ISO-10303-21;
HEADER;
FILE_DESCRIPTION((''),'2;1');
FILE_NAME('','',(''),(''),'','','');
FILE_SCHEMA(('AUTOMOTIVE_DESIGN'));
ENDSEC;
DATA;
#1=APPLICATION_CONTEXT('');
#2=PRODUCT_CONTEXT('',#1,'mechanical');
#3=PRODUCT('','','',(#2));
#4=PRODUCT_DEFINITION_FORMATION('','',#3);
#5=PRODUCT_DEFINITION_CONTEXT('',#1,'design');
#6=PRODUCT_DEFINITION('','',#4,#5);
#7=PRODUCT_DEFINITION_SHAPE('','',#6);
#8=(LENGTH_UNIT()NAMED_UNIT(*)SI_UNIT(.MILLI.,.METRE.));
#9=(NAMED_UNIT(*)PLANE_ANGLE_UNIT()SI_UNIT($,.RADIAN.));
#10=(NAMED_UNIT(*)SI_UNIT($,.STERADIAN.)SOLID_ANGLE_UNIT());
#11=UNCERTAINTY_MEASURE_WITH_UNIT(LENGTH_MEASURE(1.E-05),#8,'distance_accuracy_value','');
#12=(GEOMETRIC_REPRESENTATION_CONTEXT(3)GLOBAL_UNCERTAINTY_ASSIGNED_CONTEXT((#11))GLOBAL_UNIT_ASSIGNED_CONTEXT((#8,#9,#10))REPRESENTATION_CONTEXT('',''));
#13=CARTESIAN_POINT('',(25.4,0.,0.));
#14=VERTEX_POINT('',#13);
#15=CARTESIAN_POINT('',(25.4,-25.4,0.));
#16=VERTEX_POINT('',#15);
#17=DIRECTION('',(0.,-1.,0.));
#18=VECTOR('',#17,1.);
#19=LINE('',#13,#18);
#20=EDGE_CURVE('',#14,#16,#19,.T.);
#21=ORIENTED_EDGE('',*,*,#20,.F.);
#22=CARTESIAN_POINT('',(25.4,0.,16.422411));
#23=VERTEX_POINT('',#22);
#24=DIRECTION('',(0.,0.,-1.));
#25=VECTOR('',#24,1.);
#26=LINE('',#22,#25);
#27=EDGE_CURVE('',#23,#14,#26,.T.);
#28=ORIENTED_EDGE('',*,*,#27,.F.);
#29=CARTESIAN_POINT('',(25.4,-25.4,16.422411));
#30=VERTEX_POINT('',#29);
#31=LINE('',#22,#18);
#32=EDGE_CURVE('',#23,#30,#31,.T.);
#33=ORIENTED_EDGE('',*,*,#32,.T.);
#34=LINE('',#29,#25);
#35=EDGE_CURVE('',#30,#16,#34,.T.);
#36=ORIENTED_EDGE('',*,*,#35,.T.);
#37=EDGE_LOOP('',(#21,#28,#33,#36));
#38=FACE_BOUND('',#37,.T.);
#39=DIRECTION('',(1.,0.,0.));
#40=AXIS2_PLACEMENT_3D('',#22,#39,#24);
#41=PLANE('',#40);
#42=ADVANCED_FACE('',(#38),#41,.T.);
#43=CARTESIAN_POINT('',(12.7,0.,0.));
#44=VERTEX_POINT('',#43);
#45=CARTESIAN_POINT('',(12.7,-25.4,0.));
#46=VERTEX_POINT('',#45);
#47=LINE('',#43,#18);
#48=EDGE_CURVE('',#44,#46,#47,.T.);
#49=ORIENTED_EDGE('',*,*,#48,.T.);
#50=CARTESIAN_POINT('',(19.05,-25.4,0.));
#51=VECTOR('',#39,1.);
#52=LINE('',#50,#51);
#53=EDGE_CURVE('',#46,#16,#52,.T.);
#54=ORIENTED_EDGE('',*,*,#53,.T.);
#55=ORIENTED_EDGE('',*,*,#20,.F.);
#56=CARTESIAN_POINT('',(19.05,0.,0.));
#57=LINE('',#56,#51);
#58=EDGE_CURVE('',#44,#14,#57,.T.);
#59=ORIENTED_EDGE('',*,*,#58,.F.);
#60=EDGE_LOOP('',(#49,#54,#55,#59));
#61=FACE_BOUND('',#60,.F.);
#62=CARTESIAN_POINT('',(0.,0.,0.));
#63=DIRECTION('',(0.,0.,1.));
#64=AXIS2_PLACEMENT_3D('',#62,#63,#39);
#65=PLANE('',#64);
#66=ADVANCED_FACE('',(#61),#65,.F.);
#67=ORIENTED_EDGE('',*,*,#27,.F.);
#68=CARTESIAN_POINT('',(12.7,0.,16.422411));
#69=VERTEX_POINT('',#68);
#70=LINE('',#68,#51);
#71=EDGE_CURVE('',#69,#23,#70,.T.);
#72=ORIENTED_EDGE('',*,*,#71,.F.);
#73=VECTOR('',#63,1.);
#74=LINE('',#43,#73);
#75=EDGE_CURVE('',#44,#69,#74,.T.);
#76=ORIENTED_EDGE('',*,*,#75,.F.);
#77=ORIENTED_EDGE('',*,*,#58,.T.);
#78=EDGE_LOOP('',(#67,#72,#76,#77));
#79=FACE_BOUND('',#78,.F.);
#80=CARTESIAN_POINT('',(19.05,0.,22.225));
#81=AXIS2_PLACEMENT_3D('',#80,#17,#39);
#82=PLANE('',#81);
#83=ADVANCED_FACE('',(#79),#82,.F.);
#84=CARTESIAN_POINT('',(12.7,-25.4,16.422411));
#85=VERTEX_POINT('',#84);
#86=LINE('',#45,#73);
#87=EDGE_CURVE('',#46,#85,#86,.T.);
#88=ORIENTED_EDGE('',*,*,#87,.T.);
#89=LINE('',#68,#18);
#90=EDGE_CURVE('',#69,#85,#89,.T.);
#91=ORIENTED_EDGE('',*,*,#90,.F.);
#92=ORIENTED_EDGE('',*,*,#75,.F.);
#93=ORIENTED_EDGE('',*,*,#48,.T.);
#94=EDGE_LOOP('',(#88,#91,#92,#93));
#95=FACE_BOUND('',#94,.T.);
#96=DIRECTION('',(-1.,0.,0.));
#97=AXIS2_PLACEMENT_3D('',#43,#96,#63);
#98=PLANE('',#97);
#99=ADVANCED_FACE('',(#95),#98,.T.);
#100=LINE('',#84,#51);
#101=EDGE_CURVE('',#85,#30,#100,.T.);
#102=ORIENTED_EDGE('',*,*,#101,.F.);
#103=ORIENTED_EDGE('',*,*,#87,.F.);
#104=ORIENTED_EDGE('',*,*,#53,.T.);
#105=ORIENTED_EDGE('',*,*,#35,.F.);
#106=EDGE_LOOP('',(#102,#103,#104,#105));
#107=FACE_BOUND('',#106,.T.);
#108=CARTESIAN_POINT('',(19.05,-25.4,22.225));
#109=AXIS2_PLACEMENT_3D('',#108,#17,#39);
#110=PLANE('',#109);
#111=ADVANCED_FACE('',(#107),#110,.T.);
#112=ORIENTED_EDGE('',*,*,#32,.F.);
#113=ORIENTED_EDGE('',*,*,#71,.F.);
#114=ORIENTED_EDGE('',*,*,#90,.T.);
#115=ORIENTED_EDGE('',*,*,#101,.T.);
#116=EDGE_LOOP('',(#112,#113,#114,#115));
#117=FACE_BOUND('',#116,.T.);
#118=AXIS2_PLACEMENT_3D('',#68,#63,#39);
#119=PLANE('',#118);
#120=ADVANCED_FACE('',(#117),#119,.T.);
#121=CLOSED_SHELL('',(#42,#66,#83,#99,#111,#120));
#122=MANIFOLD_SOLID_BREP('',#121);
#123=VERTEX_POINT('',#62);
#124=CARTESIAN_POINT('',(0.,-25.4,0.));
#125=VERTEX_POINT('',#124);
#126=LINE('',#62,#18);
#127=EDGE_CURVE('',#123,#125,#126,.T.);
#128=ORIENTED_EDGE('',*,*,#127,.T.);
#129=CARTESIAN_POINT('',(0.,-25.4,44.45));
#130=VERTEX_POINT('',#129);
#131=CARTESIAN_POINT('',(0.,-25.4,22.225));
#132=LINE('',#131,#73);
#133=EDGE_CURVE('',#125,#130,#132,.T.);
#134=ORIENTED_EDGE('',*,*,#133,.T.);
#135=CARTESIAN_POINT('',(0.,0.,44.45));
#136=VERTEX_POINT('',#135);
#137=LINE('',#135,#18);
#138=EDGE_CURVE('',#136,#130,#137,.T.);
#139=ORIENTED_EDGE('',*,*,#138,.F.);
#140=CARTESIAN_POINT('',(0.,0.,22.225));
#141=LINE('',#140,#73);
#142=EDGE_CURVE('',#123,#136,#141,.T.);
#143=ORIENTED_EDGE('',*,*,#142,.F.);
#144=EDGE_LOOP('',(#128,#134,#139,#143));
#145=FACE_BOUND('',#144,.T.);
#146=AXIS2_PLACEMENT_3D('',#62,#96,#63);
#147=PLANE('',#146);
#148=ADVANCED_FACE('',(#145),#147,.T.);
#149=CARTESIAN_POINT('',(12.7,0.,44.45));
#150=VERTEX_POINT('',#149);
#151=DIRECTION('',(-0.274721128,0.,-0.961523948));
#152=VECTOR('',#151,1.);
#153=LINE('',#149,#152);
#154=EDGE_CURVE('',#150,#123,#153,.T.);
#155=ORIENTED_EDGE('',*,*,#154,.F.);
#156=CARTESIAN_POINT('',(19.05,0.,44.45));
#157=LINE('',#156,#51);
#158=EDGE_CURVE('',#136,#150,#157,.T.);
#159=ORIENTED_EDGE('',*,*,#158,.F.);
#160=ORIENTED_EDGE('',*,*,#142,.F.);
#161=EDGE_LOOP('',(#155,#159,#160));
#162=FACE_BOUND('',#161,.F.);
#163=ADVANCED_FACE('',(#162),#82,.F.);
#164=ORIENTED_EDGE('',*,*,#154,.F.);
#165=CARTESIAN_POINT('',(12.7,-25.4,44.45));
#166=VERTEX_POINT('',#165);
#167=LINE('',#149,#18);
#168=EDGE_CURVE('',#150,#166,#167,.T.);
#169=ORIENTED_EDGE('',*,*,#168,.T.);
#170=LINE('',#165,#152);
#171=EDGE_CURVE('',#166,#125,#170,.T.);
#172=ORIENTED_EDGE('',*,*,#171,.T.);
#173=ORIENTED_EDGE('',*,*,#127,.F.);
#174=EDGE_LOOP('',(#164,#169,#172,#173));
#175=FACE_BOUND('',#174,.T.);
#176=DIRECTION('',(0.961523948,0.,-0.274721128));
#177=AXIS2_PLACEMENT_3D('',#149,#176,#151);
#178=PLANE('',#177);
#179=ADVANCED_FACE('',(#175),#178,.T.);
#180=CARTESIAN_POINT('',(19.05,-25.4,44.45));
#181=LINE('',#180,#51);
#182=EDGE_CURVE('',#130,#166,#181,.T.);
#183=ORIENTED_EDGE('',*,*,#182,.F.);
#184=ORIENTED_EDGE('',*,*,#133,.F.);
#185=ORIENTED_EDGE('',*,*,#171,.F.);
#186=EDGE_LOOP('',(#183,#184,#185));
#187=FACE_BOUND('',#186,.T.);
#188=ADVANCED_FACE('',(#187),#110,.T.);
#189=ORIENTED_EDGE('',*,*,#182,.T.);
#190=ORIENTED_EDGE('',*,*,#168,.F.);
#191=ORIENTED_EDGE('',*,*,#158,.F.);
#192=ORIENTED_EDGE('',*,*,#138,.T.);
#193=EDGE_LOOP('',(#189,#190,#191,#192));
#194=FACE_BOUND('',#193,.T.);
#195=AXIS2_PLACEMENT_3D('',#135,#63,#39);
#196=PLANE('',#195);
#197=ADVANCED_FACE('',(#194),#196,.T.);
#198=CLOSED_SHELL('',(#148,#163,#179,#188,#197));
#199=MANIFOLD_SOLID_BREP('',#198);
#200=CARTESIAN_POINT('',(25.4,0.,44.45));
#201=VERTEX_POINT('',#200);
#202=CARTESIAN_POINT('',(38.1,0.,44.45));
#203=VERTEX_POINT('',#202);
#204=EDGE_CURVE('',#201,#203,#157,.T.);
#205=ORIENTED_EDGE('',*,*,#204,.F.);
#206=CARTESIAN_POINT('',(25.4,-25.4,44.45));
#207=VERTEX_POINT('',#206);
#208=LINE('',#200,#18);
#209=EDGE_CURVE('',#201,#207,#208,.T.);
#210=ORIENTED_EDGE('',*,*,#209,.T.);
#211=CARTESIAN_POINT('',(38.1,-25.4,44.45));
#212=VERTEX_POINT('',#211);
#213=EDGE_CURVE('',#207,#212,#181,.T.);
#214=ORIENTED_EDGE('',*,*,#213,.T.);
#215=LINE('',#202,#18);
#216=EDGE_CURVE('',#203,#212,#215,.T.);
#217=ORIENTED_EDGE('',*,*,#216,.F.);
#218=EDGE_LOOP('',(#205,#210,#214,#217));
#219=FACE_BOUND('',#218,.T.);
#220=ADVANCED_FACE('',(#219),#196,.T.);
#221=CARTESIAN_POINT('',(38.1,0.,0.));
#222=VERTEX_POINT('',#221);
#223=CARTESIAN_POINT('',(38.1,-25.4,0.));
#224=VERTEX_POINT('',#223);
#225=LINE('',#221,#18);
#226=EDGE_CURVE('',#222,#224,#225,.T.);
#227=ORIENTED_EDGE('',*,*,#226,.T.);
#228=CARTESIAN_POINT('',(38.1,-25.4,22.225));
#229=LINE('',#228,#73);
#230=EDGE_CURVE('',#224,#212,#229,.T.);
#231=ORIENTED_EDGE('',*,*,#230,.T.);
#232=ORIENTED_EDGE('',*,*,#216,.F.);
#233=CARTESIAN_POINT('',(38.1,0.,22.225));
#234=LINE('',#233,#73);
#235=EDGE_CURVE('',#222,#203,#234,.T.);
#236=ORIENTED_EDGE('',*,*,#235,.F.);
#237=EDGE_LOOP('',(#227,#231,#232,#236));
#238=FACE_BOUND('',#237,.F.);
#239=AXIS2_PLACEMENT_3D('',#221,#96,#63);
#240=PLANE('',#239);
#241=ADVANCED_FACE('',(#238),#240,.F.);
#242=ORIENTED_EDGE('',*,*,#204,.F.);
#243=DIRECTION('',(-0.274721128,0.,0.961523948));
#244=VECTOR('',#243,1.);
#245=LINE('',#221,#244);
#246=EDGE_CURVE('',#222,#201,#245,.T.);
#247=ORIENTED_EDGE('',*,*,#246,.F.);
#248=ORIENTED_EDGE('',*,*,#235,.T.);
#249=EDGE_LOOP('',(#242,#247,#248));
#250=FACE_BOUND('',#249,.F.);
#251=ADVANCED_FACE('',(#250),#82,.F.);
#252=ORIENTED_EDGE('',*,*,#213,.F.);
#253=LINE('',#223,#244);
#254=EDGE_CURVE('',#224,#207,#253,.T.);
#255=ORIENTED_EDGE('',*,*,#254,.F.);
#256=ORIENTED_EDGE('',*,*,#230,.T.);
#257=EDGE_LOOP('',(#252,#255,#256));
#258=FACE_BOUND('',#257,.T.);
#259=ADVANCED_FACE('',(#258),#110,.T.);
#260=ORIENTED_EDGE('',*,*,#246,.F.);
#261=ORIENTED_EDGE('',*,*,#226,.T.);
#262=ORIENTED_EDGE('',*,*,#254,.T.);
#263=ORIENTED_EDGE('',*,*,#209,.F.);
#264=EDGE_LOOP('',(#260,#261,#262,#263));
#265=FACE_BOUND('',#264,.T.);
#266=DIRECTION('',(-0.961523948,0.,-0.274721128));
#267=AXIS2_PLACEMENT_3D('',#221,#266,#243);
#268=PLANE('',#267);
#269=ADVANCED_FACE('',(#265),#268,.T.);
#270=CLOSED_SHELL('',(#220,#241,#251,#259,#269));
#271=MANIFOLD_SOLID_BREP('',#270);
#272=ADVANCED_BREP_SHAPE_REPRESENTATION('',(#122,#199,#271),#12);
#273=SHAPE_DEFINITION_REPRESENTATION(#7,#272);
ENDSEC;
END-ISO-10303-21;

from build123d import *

# Parameters (mm, degrees)
F0_W     = 38.1
F0_H     = 44.45
F1_DEPTH = 25.4
F3_DEPTH = 25.4
F4_DEPTH = 25.4


with BuildPart() as f1:
    # F0 (on Front) → F1 (new body)
    with BuildSketch(Plane.XZ):
        with Locations((19.05, 22.225)):
            Rectangle(F0_W, F0_H)
    extrude(amount=F1_DEPTH)


with BuildPart() as f3:
    # F2 (on Front) → F3 (new body)
    with BuildSketch(Plane.XZ):
        Polygon((25.4, 44.45), (12.7, 44.45), (0, 0), (12.7, 0), (12.7, 16.4224114985), (25.4, 16.4224114985), (25.4, 0), (38.1, 0), align=None)
    extrude(amount=F3_DEPTH)


with BuildPart() as f4_tool:
    # F2 (on Front) → F4 (new body)
    with BuildSketch(Plane.XZ):
        Polygon((25.4, 44.45), (12.7, 44.45), (0, 0), (12.7, 0), (12.7, 16.4224114985), (25.4, 16.4224114985), (25.4, 0), (38.1, 0), align=None)
    extrude(amount=F4_DEPTH)


with BuildPart() as f1_1:
    add(f1.part)

    # F4: cut by f4_tool
    add(f4_tool.part, mode=Mode.SUBTRACT)


with BuildPart() as f3_1:
    add(f3.part)

    # F4: cut by f4_tool
    add(f4_tool.part, mode=Mode.SUBTRACT)


solid = f1_1.part
